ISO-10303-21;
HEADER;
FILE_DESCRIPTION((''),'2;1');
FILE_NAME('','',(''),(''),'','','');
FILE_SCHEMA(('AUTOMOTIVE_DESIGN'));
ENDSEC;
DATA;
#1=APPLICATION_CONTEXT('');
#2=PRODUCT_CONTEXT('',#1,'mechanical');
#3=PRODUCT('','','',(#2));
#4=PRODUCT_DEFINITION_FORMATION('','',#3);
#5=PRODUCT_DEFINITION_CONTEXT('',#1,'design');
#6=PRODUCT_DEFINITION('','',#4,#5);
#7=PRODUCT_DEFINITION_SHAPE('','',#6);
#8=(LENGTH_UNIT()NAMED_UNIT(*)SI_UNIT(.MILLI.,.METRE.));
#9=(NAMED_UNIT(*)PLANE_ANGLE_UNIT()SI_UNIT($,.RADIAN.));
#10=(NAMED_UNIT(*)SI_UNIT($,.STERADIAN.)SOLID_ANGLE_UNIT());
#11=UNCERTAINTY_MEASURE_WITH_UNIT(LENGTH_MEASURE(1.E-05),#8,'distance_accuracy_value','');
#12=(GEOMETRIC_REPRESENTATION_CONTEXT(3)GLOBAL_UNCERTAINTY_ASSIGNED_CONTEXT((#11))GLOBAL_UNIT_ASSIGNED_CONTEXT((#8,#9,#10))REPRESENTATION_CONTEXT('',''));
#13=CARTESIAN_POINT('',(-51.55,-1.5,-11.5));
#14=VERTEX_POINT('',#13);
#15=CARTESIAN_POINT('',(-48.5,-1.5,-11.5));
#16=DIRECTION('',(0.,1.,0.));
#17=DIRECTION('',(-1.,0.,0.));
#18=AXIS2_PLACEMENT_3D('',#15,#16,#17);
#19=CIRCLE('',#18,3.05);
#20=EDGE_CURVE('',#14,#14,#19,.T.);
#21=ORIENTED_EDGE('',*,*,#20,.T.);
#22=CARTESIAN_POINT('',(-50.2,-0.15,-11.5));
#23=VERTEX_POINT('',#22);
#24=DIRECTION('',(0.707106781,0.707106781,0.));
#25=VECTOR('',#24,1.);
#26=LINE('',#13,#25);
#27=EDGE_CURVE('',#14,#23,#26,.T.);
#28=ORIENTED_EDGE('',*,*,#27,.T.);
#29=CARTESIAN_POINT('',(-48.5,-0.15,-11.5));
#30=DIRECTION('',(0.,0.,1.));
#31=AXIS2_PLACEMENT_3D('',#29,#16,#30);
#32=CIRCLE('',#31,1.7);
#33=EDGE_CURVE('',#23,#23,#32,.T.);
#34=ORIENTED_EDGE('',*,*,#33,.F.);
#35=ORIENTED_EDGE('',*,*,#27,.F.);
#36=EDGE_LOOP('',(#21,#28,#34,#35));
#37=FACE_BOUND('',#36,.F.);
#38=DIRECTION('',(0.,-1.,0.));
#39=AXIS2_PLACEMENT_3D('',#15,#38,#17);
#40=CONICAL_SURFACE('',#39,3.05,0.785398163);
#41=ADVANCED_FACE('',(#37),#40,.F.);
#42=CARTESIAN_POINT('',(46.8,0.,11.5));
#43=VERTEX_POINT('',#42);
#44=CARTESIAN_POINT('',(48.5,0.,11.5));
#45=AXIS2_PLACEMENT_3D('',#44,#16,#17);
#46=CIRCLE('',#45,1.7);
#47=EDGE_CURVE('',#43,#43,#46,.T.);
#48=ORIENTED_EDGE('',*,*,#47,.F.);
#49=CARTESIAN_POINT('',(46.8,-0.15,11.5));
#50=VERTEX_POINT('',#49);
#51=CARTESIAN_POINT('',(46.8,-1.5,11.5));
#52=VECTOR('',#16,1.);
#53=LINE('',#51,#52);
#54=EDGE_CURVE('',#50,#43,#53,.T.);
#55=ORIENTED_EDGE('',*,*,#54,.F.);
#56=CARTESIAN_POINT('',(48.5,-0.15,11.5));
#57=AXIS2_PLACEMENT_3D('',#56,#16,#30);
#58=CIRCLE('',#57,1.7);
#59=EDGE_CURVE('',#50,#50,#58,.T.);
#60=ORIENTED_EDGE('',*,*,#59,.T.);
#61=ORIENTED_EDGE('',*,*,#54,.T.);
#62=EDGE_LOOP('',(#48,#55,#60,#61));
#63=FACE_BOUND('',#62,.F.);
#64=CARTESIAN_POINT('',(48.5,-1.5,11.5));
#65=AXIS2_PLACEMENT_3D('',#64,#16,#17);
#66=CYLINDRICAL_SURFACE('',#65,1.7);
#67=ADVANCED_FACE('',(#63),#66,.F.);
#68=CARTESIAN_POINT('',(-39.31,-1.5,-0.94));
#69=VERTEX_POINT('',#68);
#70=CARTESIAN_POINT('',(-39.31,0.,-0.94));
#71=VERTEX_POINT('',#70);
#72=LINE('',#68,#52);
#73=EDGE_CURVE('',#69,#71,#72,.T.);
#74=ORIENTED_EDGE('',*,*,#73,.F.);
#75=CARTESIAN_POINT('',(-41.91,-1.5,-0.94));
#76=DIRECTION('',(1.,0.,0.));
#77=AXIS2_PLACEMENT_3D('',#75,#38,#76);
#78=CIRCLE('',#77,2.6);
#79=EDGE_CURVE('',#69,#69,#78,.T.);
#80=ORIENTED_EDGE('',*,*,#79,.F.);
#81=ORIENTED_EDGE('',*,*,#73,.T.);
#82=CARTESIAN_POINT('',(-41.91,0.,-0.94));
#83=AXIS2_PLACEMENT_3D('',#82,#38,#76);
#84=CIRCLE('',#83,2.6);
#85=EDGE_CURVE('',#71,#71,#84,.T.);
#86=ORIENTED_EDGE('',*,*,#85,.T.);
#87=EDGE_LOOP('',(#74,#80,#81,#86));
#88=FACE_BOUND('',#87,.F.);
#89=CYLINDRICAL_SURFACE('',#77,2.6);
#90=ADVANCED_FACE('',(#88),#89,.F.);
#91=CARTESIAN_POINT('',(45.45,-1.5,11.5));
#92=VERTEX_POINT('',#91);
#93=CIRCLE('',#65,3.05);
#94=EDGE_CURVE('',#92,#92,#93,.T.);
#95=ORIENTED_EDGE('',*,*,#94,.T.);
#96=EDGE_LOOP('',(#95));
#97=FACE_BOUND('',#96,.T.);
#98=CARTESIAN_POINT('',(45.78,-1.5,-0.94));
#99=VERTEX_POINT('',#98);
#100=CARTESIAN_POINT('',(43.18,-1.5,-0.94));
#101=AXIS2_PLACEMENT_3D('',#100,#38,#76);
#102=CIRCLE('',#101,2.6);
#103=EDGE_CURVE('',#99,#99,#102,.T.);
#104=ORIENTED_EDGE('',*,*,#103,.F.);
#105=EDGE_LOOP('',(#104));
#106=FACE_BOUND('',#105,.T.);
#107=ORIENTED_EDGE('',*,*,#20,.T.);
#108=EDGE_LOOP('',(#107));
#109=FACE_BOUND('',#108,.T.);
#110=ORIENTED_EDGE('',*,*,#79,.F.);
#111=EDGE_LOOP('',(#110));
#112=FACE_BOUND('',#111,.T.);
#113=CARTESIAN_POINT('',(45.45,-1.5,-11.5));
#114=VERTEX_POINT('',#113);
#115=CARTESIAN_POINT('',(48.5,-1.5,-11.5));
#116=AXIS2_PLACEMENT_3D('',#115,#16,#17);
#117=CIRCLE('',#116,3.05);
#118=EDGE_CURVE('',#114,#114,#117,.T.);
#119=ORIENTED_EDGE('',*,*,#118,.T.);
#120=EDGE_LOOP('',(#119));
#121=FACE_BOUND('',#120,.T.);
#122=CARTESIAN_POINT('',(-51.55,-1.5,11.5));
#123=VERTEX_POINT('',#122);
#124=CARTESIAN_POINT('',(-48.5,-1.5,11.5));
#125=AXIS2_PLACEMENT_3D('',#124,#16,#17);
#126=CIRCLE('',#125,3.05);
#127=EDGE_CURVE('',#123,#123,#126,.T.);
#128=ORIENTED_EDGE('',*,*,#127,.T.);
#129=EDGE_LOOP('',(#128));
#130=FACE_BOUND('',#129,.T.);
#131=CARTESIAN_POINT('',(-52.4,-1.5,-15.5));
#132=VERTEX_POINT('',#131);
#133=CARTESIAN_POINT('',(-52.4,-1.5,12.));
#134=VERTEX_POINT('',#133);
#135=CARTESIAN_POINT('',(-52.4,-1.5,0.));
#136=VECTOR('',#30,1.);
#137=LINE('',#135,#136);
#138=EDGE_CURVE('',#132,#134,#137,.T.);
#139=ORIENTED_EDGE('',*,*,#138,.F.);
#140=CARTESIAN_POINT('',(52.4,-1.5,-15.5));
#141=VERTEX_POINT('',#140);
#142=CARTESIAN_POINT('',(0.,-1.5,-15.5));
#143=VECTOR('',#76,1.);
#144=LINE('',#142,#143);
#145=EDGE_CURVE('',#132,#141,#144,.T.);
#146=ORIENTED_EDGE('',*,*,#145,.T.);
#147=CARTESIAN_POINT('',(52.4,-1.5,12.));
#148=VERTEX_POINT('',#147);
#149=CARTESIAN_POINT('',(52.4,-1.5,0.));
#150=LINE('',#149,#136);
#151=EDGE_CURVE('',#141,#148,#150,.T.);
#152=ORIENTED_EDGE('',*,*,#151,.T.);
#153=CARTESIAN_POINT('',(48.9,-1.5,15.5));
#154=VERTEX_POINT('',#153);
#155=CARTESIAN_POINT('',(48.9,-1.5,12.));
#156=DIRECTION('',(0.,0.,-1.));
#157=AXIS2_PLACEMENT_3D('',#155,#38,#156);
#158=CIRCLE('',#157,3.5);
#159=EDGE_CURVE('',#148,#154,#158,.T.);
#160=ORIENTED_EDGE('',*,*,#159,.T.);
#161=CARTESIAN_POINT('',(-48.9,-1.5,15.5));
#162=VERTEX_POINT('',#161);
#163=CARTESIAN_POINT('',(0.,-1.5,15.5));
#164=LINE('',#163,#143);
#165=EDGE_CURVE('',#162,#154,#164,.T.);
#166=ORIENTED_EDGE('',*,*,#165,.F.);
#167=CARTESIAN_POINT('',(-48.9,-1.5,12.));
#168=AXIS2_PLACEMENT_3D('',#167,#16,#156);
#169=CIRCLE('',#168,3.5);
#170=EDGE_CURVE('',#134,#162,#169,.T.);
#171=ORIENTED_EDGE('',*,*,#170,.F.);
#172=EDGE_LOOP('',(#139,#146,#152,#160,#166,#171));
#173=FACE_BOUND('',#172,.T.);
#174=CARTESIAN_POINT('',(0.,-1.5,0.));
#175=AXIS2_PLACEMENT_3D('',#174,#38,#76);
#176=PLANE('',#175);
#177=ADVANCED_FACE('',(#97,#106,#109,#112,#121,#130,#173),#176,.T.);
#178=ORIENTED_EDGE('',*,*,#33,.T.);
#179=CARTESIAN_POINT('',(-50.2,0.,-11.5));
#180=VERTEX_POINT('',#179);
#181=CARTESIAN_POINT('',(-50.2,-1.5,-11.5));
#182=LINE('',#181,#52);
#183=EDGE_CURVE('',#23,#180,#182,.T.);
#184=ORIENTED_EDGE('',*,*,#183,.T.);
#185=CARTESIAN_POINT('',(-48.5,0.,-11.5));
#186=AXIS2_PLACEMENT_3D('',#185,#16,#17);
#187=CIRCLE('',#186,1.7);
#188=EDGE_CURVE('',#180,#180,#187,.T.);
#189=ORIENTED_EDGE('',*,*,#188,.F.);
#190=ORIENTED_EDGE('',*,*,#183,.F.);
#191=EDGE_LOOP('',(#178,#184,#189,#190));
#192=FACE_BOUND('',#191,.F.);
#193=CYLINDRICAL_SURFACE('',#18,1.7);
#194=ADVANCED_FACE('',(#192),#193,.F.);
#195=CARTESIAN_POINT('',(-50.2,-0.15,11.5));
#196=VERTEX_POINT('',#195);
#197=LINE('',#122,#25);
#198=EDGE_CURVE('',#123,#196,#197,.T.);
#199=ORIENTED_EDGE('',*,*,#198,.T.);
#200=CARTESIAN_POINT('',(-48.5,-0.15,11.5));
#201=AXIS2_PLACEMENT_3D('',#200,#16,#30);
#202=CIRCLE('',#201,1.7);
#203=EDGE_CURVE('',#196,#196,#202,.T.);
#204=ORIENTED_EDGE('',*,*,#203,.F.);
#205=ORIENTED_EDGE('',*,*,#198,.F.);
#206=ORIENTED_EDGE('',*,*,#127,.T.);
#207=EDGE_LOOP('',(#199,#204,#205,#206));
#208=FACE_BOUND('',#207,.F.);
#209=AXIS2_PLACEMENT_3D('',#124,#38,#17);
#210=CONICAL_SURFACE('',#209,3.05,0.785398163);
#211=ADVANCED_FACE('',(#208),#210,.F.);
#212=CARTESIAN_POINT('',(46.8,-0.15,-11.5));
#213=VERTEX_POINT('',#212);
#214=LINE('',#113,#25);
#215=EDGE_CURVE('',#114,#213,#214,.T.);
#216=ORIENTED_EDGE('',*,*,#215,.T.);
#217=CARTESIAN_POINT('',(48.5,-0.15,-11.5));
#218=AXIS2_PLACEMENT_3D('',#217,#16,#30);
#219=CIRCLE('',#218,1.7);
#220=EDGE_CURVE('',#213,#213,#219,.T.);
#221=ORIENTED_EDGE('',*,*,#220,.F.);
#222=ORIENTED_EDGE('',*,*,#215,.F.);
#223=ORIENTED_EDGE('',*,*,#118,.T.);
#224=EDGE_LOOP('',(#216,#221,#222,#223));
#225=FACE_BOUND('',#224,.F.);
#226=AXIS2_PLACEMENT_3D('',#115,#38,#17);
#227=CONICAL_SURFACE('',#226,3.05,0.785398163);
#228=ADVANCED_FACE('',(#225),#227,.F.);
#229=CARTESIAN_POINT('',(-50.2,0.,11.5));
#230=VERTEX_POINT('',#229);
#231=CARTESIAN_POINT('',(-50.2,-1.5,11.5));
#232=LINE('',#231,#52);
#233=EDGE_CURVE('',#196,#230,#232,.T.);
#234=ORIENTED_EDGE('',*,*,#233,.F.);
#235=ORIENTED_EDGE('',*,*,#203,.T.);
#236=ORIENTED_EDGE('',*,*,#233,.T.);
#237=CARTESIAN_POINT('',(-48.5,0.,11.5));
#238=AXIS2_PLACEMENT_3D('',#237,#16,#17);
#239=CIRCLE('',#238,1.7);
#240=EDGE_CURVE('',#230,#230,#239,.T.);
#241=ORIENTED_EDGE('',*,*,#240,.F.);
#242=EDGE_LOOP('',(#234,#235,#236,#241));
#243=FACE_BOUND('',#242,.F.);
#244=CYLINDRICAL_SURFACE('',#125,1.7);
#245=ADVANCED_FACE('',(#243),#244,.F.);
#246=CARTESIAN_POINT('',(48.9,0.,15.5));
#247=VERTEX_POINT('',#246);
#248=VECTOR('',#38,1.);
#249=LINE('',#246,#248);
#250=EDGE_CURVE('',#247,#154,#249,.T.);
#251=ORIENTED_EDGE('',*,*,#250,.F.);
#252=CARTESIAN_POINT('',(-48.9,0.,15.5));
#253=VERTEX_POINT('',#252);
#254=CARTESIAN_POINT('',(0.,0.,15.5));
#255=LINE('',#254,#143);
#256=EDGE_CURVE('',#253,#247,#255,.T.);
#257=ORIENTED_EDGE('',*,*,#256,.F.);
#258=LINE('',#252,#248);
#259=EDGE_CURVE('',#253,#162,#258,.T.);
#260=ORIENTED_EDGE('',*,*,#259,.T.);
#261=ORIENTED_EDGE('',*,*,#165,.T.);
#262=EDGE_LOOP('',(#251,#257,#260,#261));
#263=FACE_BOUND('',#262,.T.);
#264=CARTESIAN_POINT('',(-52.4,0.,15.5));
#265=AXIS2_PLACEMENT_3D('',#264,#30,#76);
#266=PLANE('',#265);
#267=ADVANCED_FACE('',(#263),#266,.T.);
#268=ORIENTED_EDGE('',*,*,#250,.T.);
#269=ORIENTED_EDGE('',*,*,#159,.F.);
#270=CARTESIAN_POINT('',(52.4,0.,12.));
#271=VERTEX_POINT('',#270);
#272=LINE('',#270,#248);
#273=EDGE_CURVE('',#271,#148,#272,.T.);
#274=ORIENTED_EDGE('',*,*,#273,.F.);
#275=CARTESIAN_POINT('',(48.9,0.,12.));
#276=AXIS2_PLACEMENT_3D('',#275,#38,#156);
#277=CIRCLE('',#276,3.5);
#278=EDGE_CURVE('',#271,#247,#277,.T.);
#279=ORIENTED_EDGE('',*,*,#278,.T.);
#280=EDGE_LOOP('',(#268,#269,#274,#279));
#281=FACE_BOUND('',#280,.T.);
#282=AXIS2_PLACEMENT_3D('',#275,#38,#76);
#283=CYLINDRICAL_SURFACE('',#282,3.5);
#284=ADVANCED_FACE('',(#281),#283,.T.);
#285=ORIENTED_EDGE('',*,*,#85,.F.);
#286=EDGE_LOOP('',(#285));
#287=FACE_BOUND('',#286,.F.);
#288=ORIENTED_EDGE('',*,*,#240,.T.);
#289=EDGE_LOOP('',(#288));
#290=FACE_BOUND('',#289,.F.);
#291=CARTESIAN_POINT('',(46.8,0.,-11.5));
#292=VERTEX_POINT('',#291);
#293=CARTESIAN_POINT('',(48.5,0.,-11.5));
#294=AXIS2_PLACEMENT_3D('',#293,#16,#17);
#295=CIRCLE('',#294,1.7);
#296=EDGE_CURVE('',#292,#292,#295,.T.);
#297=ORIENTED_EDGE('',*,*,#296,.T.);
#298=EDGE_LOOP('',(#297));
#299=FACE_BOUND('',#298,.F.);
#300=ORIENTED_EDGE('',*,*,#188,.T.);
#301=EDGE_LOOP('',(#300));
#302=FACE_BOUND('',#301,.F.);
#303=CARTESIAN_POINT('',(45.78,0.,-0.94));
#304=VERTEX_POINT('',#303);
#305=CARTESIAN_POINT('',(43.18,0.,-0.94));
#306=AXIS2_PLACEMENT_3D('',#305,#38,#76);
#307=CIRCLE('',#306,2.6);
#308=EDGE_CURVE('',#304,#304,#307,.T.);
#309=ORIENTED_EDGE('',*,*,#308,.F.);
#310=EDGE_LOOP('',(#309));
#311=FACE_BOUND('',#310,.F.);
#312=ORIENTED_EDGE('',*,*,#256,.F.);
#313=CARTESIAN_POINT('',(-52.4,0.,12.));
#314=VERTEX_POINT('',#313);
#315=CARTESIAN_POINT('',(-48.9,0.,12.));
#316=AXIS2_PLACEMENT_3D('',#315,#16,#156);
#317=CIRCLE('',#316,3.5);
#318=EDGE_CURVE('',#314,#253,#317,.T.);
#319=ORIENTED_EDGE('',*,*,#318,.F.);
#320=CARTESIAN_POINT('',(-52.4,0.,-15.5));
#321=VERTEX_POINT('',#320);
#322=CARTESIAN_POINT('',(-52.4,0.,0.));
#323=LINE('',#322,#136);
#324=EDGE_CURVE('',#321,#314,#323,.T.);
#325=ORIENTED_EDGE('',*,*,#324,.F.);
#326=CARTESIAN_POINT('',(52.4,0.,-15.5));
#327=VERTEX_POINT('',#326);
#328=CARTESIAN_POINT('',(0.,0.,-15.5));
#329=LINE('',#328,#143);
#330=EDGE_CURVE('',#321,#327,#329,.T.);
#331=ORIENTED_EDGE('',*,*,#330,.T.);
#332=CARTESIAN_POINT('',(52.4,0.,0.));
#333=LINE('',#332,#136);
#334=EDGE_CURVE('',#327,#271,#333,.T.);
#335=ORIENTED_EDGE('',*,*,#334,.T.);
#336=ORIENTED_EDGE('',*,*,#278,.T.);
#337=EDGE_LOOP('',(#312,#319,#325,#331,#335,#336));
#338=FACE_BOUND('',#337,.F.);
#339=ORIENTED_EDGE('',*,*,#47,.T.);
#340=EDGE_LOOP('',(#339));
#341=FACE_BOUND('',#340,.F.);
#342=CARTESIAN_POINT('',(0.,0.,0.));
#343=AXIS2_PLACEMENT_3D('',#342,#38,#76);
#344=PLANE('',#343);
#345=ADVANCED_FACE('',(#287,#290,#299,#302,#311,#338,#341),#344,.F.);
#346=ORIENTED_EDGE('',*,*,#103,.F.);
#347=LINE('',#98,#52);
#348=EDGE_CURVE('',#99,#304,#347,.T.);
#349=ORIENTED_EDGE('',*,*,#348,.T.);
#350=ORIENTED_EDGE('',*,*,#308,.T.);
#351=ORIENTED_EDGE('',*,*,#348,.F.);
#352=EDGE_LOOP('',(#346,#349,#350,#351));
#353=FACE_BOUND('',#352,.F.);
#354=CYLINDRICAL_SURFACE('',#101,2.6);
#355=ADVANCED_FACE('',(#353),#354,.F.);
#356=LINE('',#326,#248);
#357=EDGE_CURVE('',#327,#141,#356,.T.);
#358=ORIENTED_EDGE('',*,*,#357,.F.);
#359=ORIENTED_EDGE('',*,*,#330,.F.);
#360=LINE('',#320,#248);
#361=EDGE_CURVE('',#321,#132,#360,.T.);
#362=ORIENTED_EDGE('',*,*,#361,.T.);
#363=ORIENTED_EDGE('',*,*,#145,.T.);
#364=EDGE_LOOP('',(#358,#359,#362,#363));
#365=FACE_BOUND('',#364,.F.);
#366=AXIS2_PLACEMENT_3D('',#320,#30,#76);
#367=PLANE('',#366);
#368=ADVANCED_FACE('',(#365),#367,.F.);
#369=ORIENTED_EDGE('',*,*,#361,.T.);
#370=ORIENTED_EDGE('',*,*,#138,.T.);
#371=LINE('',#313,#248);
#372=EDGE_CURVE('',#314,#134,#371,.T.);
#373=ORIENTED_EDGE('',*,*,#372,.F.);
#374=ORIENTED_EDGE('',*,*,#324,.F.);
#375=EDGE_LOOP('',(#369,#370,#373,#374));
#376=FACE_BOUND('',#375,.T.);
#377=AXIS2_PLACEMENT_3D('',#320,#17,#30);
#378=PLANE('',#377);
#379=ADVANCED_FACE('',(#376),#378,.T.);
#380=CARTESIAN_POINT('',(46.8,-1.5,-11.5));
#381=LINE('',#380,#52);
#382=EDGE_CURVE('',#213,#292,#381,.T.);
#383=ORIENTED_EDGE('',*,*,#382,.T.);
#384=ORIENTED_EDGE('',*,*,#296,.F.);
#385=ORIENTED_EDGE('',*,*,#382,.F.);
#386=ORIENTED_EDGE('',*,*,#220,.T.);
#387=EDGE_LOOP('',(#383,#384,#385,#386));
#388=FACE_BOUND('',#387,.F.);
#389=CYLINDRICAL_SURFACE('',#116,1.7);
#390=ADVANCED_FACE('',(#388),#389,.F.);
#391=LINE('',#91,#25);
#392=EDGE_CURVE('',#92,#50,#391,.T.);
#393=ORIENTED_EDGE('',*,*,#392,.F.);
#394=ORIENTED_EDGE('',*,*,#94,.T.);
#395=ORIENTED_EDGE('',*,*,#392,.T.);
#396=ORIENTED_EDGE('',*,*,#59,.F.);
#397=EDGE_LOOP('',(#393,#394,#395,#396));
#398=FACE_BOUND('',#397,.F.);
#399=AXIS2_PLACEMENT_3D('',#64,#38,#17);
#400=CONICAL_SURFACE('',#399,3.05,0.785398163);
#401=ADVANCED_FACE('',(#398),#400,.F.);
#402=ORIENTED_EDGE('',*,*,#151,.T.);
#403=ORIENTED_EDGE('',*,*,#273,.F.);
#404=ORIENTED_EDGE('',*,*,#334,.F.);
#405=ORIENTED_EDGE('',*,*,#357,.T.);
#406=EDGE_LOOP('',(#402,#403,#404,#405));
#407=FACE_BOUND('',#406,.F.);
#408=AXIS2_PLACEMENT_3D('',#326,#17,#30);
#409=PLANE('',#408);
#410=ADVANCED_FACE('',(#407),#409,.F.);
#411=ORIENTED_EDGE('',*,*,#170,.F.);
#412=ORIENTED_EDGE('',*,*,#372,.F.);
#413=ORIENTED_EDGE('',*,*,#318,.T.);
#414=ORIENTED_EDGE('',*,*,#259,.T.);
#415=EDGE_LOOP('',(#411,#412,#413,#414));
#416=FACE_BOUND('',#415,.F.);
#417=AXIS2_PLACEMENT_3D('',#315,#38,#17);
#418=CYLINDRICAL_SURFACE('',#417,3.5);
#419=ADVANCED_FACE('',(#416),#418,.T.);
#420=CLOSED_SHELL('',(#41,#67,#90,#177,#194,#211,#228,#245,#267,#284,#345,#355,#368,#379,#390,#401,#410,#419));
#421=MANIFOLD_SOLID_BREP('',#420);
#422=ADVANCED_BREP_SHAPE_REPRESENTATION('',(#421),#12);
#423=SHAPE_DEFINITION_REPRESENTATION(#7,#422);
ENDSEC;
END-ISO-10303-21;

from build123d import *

# Parameters (mm, degrees)
SKETCH_W            = 104.8
SKETCH_H            = 31
PAD_DEPTH           = 1.5
HOLE_D              = 3.4
HOLE_DEPTH          = 25
HOLE_CSINK_D        = 6.1
HOLE_CSINK_ANGLE    = 90
FILLET_R            = 3.5
SKETCH002_R         = 2.6
POCKET_DEPTH        = 1.501
LINEARPATTERN_COUNT = 2
LINEARPATTERN_PITCH = 85.09


with BuildPart() as part:
    # Sketch → Pad (new body)
    with BuildSketch(Plane.XZ):
        Rectangle(SKETCH_W, SKETCH_H)
    extrude(amount=PAD_DEPTH)

    # Hole
    with Locations(Plane.XZ.offset(1.5)):
        with Locations((-48.5, 11.5), (-48.5, -11.5), (48.5, -11.5), (48.5, 11.5)):
            CounterSinkHole(HOLE_D / 2, HOLE_CSINK_D / 2, depth=HOLE_DEPTH, counter_sink_angle=HOLE_CSINK_ANGLE)

    # Fillet
    fillet_edges = [part.edges().sort_by_distance(p)[0] for p in [
        (-52.4, -0.75, 15.5),
        (52.4, -0.75, 15.5),
    ]]
    fillet(fillet_edges, radius=FILLET_R)

    # Sketch002 (on Face5 of Fillet) → Pocket (cut, through all)
    with BuildSketch(Plane.XZ.offset(1.5)):
        with Locations((-41.91, -0.94)):
            Circle(SKETCH002_R)
    pocket = extrude(amount=-POCKET_DEPTH, mode=Mode.SUBTRACT)

    # LinearPattern: Pocket ×2
    with Locations(*[(i * LINEARPATTERN_PITCH, 0, 0) for i in range(1, LINEARPATTERN_COUNT)]):
        add(pocket, mode=Mode.SUBTRACT)


solid = part.part
